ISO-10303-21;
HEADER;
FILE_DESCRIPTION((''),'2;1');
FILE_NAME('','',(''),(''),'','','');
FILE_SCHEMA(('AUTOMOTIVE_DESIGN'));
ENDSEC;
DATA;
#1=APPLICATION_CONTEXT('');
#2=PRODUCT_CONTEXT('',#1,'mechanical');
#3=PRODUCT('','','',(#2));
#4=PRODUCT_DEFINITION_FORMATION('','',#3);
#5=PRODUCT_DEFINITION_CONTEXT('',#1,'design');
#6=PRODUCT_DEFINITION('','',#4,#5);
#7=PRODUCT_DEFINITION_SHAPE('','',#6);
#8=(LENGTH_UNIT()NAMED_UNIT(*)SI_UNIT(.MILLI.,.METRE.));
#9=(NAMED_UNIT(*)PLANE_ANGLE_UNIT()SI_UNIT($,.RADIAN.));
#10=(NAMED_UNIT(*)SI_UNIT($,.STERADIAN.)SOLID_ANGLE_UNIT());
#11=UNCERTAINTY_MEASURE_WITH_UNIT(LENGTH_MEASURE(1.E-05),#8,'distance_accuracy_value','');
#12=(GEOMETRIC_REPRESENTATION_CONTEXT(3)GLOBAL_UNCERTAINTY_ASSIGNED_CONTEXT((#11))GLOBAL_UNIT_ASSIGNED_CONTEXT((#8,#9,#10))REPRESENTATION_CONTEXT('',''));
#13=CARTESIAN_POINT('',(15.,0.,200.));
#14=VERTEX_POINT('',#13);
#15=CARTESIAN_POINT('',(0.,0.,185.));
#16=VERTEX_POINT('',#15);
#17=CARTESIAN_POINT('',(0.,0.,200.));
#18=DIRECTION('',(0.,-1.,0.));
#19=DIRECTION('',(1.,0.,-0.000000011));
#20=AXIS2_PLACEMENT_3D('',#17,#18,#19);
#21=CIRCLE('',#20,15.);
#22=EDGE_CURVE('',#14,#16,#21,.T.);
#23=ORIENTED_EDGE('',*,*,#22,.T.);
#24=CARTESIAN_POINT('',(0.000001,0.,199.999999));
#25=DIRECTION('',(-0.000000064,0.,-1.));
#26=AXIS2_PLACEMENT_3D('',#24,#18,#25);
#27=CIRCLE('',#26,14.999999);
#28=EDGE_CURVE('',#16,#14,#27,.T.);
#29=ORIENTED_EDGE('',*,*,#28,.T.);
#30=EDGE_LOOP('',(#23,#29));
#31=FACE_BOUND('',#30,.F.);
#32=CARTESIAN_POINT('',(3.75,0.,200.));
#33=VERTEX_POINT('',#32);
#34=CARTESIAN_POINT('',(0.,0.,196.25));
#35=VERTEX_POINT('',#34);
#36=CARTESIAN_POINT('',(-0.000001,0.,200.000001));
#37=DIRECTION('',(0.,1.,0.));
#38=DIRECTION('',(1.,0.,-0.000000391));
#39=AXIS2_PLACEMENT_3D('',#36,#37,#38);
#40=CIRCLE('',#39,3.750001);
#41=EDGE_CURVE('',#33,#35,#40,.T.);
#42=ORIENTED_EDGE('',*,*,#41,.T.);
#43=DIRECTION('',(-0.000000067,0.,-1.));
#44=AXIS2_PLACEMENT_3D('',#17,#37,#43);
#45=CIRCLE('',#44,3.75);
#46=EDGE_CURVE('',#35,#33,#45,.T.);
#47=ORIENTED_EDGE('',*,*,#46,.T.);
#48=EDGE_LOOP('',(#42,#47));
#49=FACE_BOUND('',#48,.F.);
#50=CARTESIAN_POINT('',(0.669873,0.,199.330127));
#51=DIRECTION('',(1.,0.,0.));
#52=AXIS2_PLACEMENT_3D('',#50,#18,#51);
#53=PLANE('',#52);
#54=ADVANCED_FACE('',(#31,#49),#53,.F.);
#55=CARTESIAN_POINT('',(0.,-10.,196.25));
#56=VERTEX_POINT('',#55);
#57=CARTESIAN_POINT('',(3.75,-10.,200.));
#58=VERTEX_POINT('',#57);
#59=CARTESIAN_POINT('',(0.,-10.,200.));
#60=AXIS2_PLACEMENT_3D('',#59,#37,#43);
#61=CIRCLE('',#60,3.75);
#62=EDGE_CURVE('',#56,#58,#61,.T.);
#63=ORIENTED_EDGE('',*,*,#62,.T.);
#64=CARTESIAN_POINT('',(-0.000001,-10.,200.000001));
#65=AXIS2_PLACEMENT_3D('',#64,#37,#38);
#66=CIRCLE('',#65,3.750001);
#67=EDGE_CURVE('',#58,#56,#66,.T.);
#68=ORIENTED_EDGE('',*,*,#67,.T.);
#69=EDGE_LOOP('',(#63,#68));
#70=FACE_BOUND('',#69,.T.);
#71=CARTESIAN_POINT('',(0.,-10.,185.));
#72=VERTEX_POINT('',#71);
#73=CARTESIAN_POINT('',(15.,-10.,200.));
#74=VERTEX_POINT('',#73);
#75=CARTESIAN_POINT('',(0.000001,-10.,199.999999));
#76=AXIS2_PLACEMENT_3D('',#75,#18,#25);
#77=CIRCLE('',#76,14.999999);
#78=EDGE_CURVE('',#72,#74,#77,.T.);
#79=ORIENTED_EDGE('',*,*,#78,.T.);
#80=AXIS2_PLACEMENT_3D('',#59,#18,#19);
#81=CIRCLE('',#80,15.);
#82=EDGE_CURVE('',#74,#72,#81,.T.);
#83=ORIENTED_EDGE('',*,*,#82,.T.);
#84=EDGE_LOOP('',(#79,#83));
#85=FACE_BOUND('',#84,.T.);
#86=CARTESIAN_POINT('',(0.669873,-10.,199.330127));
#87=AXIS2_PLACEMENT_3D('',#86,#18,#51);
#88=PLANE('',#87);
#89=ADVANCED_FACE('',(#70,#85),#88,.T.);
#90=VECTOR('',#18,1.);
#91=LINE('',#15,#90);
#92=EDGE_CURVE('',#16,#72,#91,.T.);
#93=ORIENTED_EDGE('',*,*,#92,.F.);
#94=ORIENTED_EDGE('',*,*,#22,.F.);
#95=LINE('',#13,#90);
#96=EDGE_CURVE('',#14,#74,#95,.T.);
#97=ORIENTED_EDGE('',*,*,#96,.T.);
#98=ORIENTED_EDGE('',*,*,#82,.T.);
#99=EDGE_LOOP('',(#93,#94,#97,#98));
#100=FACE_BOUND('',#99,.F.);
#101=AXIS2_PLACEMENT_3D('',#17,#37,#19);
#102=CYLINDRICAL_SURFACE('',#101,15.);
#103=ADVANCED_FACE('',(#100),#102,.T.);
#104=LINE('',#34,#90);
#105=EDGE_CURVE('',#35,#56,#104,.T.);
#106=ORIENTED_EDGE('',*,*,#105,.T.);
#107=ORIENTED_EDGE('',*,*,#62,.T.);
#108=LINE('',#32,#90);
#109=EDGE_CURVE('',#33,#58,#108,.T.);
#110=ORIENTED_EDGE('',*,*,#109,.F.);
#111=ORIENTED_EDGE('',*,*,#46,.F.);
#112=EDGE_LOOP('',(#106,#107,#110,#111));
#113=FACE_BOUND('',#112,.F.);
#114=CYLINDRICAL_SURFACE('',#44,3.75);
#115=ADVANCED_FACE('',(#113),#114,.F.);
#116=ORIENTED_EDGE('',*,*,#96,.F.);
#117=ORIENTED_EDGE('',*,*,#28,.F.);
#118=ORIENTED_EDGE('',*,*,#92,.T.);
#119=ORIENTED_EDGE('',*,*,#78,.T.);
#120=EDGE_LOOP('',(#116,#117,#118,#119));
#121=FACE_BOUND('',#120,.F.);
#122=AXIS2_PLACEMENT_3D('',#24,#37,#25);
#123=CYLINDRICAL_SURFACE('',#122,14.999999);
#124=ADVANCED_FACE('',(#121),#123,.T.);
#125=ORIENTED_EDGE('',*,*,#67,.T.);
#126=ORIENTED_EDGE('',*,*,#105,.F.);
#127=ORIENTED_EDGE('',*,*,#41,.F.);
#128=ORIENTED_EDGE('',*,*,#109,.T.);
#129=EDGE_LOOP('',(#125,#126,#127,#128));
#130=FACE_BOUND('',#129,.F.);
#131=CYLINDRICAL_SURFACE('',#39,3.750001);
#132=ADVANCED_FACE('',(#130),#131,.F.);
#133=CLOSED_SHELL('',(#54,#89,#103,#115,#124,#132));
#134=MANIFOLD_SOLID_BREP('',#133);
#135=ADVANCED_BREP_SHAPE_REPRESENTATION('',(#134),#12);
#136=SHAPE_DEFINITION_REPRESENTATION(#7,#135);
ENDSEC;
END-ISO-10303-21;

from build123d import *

# Parameters (mm, degrees)
F1_DEPTH = 10


with BuildPart() as f1:
    # F0 (on Front) → F1 (new body)
    with BuildSketch(Plane.XZ):
        with BuildLine():
            ThreePointArc((15, 200), (-10.606602, 210.606602), (0, 185))
            ThreePointArc((0, 185), (10.606602, 189.393398), (15, 200))
        make_face()
        with BuildLine():
            ThreePointArc((3.75, 200), (2.65165, 197.34835), (0, 196.25))
            ThreePointArc((0, 196.25), (-2.65165, 202.65165), (3.75, 200))
        make_face(mode=Mode.SUBTRACT)
    extrude(amount=F1_DEPTH)


solid = f1.part
